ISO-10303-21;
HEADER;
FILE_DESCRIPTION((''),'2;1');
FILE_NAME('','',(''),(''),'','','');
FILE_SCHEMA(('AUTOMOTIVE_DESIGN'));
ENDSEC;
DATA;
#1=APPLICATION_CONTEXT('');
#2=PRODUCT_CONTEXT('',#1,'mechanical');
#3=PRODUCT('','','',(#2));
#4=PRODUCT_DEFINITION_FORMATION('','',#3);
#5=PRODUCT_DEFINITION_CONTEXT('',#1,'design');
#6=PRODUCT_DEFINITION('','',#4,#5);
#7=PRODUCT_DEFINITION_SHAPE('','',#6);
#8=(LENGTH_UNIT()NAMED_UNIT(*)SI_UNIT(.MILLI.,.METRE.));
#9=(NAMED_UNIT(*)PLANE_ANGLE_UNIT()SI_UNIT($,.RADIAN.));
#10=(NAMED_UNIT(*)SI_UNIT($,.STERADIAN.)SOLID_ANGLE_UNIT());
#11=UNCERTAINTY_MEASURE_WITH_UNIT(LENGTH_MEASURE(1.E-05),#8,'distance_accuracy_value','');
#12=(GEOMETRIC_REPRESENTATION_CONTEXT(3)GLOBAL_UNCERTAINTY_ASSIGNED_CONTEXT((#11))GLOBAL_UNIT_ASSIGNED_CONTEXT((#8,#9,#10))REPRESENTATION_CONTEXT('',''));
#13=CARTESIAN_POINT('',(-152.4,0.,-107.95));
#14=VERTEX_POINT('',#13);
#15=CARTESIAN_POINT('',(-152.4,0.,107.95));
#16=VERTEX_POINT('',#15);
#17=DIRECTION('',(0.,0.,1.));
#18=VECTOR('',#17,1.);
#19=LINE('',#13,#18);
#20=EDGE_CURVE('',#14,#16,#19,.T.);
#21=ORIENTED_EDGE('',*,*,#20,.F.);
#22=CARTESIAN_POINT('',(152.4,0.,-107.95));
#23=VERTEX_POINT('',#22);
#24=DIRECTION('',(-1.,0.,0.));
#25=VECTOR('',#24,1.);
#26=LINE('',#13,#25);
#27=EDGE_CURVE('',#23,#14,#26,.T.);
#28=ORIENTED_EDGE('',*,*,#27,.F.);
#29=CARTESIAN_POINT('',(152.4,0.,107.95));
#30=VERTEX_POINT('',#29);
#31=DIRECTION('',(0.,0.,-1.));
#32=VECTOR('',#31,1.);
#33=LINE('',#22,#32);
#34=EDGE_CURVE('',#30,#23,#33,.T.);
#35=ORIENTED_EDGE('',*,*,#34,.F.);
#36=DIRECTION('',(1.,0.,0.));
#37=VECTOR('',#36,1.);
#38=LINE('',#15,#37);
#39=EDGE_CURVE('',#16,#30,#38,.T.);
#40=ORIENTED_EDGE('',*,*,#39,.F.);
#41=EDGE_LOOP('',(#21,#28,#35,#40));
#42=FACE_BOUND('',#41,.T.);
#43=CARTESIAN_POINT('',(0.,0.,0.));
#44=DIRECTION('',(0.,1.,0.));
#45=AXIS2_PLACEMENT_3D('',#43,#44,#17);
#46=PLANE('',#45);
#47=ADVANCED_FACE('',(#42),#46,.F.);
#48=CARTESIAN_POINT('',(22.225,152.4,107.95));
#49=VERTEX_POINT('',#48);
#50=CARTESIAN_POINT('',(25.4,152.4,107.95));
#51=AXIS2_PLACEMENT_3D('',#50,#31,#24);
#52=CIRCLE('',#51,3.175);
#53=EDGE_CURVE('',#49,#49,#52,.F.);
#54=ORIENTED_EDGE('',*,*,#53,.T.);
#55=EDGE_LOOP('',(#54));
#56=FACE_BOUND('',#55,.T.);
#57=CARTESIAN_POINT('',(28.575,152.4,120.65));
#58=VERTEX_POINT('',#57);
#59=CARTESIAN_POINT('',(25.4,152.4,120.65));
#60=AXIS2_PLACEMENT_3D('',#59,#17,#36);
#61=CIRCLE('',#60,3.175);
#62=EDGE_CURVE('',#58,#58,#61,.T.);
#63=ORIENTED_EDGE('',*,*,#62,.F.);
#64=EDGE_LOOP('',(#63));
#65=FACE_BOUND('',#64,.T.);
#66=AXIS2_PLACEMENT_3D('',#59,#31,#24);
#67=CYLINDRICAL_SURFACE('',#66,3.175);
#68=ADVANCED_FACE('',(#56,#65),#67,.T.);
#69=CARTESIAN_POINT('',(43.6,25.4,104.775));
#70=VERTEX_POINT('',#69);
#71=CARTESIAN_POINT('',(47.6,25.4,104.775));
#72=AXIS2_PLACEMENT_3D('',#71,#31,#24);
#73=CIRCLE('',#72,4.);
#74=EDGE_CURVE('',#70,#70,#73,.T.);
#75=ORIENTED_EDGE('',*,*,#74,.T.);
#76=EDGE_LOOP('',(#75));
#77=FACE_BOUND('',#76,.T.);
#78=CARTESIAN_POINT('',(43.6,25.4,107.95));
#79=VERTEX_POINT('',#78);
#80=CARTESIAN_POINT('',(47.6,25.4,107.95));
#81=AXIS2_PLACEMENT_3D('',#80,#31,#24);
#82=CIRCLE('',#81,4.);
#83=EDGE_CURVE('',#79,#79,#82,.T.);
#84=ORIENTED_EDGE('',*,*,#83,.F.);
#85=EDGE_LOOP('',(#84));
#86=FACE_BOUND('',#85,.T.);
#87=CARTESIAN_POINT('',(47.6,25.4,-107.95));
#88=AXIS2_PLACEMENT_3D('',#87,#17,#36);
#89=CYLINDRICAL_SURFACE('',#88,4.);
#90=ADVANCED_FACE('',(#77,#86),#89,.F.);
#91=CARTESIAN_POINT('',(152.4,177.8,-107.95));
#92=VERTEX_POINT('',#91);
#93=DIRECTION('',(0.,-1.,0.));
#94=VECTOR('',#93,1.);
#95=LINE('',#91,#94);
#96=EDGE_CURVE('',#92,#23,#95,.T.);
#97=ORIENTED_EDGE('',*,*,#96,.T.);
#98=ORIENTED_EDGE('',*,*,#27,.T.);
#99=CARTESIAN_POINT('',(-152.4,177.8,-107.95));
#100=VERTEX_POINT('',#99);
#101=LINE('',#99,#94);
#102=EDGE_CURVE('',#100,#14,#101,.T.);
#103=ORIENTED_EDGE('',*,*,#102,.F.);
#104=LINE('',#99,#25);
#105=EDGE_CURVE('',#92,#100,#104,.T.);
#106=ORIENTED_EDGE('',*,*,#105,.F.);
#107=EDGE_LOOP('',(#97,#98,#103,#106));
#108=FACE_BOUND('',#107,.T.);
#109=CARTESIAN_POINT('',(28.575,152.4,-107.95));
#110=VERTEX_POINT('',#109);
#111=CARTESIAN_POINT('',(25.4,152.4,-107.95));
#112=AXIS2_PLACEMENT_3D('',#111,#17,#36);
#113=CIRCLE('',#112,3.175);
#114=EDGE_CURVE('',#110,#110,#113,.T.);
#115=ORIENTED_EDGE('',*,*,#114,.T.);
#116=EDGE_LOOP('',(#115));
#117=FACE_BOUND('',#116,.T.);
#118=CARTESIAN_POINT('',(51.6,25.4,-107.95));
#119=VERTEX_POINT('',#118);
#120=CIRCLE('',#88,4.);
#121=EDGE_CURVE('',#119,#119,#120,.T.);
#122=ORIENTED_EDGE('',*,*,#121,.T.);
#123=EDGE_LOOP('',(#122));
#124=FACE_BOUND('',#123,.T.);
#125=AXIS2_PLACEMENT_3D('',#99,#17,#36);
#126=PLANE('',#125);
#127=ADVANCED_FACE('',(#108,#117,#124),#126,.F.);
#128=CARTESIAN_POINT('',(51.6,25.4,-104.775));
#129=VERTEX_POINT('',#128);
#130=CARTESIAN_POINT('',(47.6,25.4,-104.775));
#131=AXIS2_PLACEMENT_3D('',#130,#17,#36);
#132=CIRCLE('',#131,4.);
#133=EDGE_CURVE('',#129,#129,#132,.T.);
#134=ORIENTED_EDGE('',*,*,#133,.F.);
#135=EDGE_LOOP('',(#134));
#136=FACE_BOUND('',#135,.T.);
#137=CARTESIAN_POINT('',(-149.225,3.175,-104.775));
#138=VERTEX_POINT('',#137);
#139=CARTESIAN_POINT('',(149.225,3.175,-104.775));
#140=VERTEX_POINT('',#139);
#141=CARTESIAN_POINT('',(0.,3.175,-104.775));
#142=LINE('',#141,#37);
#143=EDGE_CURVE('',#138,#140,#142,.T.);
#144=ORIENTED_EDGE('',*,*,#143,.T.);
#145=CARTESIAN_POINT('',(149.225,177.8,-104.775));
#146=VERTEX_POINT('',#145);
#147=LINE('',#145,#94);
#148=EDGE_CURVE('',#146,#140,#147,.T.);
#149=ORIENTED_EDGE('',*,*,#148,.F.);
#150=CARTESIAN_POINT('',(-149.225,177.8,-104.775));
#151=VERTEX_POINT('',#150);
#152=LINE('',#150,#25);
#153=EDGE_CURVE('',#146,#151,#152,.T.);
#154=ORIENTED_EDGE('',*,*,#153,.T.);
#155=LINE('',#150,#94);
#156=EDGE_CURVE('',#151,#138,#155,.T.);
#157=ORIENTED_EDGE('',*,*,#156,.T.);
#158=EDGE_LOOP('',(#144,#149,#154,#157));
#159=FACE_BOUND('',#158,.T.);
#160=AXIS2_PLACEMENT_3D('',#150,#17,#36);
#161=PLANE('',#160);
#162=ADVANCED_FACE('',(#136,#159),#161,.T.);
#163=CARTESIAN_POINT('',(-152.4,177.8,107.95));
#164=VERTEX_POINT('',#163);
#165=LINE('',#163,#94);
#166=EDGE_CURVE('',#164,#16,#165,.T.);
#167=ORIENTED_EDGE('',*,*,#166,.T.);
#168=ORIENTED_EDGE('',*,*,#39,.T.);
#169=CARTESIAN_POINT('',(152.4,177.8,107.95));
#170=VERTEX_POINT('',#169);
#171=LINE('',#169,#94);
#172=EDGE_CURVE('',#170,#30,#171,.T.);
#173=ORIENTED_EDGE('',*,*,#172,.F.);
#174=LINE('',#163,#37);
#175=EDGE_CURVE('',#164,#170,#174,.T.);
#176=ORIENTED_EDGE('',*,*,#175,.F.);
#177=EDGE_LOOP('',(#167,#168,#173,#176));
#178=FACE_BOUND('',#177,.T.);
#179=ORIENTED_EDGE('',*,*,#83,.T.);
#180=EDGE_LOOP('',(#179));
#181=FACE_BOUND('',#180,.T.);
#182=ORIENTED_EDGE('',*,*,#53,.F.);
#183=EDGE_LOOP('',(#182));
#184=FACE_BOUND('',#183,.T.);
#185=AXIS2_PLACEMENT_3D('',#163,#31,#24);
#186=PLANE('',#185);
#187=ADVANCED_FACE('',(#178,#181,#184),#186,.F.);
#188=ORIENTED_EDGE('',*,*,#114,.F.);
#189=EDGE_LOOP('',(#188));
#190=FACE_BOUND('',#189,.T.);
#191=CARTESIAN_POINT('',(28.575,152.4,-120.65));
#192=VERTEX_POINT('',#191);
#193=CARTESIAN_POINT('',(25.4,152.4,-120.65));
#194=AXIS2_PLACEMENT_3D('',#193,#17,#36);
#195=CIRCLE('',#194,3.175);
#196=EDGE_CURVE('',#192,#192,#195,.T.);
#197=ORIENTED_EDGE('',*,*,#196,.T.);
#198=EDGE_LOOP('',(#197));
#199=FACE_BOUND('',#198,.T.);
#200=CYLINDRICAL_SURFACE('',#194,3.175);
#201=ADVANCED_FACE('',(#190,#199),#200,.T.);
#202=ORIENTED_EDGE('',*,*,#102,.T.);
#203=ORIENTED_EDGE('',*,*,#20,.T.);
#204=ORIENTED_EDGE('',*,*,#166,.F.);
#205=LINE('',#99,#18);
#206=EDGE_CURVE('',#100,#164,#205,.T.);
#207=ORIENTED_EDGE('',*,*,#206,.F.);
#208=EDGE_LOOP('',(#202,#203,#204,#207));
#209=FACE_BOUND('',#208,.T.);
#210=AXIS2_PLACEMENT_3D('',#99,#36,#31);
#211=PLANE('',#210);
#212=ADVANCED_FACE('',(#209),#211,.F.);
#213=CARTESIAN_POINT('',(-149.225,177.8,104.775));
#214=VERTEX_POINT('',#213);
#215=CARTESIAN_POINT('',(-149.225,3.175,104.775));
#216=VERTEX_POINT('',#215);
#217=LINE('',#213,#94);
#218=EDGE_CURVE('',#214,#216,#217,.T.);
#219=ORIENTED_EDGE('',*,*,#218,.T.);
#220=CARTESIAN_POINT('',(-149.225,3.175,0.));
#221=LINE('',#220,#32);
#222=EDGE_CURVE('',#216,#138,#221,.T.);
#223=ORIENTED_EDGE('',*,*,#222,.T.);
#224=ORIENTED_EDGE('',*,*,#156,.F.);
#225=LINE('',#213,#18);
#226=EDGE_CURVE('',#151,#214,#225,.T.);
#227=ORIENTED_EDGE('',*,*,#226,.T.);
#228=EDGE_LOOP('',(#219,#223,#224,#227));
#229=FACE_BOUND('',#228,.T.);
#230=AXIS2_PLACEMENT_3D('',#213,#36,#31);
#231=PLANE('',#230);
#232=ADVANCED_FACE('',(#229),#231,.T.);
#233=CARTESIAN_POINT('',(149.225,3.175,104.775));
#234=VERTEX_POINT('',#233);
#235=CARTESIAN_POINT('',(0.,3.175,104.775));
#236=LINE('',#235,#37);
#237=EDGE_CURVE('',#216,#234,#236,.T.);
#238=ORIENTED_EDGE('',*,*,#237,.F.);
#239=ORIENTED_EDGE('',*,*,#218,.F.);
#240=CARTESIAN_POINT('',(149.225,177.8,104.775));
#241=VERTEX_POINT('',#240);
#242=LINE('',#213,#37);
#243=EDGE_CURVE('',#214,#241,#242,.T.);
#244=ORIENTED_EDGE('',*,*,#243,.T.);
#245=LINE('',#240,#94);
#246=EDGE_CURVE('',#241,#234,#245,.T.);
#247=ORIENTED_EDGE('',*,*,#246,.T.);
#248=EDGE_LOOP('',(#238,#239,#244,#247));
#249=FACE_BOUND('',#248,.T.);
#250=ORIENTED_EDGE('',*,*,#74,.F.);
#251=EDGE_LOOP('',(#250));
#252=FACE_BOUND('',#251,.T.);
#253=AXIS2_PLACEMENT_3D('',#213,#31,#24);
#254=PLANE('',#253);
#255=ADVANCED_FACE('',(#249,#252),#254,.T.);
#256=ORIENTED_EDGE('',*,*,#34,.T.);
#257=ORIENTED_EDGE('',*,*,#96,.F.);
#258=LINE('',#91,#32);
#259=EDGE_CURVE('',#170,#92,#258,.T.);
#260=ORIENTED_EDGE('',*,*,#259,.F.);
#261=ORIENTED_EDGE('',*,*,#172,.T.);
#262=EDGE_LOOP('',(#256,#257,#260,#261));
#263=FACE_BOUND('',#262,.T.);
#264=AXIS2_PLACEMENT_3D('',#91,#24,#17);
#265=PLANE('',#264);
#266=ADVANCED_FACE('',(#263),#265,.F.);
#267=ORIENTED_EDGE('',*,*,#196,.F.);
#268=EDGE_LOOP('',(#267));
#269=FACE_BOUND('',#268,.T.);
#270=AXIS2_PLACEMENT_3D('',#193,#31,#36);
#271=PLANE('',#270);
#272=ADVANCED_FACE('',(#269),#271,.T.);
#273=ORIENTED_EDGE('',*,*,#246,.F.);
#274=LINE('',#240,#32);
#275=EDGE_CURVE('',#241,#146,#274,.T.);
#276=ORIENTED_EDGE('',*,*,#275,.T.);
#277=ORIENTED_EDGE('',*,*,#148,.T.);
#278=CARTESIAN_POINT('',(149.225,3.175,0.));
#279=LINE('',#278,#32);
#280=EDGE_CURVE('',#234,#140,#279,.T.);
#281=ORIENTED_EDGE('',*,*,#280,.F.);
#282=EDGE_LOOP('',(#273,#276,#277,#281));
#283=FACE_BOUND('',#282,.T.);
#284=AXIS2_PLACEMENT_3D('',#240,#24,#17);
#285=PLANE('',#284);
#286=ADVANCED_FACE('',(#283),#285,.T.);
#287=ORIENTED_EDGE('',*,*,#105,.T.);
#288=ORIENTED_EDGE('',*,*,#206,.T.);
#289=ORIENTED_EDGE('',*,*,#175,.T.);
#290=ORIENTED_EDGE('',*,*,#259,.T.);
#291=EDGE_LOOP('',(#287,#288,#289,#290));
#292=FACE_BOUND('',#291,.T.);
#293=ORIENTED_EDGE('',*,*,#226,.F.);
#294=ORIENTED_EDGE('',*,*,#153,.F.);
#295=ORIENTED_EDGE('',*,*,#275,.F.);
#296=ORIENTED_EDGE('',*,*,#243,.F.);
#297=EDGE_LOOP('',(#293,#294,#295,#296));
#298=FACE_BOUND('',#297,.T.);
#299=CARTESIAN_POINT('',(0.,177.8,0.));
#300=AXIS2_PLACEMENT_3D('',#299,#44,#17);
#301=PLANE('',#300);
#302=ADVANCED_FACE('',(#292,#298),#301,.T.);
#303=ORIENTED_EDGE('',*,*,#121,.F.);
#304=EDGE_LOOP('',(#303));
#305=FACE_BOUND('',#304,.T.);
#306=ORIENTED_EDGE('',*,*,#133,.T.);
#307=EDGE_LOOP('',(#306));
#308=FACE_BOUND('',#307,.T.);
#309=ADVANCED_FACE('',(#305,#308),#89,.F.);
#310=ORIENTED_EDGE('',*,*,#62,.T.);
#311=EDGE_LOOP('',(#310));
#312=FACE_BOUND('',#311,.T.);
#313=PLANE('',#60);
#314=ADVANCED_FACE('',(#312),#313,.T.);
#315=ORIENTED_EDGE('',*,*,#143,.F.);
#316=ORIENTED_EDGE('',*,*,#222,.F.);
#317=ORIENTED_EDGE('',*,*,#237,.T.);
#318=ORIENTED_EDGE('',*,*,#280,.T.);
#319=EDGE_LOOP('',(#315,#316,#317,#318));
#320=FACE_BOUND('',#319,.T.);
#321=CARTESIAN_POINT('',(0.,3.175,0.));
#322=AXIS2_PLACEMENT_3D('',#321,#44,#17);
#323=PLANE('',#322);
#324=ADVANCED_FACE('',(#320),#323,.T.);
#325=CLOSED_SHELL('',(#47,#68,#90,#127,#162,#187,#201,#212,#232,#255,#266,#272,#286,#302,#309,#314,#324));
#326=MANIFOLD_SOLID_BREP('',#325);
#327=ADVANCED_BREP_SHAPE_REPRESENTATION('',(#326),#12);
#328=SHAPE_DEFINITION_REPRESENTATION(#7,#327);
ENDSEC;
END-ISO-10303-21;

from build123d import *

# Parameters (mm, degrees)
SKETCH1_W               = 298.45
SKETCH1_H               = 209.55
BOSS_EXTRUDE1_DEPTH     = 3.175
SKETCH1_3_W             = 304.8
SKETCH1_3_H             = 215.9
SKETCH1_3_W_2           = 298.45
SKETCH1_3_H_2           = 209.55
BOSS_EXTRUDE2_DEPTH     = 177.8
SKETCH2_R               = 3.175
BOSS_EXTRUDE3_DEPTH     = 12.7
SKETCH2_3_R             = 4
CUT_EXTRUDE1_DEPTH      = 13.7
CUT_EXTRUDE1_DEPTH_BACK = 216.9


with BuildPart() as part:
    # Sketch1 → Boss-Extrude1 (new body)
    with BuildSketch(Plane(origin=(0, 0, 0), x_dir=(1, 0, 0), z_dir=(0, 1, 0))):
        Rectangle(SKETCH1_W, SKETCH1_H)
    extrude(amount=BOSS_EXTRUDE1_DEPTH)

    # Sketch1<3> → Boss-Extrude2 (add)
    with BuildSketch(Plane(origin=(0, 0, 0), x_dir=(1, 0, 0), z_dir=(0, 1, 0))):
        Rectangle(SKETCH1_3_W, SKETCH1_3_H)
        Rectangle(SKETCH1_3_W_2, SKETCH1_3_H_2, mode=Mode.SUBTRACT)
    extrude(amount=BOSS_EXTRUDE2_DEPTH)

    # Sketch2 → Boss-Extrude3 (add)
    with BuildSketch(Plane.XY.offset(107.95)):
        with Locations((25.4, 152.4)):
            Circle(SKETCH2_R)
    boss_extrude3 = extrude(amount=BOSS_EXTRUDE3_DEPTH)

    # Sketch2<3> → Cut-Extrude1 (cut, two sides)
    with BuildSketch(Plane.XY.offset(107.95)) as cut_extrude1_sk:
        with Locations((47.6, 25.4)):
            Circle(SKETCH2_3_R)
    extrude(amount=CUT_EXTRUDE1_DEPTH, mode=Mode.SUBTRACT)
    extrude(cut_extrude1_sk.sketch, amount=-CUT_EXTRUDE1_DEPTH_BACK, mode=Mode.SUBTRACT)

    # Mirror1: Boss-Extrude3 across plane
    add(boss_extrude3.mirror(Plane.XY))


solid = part.part
